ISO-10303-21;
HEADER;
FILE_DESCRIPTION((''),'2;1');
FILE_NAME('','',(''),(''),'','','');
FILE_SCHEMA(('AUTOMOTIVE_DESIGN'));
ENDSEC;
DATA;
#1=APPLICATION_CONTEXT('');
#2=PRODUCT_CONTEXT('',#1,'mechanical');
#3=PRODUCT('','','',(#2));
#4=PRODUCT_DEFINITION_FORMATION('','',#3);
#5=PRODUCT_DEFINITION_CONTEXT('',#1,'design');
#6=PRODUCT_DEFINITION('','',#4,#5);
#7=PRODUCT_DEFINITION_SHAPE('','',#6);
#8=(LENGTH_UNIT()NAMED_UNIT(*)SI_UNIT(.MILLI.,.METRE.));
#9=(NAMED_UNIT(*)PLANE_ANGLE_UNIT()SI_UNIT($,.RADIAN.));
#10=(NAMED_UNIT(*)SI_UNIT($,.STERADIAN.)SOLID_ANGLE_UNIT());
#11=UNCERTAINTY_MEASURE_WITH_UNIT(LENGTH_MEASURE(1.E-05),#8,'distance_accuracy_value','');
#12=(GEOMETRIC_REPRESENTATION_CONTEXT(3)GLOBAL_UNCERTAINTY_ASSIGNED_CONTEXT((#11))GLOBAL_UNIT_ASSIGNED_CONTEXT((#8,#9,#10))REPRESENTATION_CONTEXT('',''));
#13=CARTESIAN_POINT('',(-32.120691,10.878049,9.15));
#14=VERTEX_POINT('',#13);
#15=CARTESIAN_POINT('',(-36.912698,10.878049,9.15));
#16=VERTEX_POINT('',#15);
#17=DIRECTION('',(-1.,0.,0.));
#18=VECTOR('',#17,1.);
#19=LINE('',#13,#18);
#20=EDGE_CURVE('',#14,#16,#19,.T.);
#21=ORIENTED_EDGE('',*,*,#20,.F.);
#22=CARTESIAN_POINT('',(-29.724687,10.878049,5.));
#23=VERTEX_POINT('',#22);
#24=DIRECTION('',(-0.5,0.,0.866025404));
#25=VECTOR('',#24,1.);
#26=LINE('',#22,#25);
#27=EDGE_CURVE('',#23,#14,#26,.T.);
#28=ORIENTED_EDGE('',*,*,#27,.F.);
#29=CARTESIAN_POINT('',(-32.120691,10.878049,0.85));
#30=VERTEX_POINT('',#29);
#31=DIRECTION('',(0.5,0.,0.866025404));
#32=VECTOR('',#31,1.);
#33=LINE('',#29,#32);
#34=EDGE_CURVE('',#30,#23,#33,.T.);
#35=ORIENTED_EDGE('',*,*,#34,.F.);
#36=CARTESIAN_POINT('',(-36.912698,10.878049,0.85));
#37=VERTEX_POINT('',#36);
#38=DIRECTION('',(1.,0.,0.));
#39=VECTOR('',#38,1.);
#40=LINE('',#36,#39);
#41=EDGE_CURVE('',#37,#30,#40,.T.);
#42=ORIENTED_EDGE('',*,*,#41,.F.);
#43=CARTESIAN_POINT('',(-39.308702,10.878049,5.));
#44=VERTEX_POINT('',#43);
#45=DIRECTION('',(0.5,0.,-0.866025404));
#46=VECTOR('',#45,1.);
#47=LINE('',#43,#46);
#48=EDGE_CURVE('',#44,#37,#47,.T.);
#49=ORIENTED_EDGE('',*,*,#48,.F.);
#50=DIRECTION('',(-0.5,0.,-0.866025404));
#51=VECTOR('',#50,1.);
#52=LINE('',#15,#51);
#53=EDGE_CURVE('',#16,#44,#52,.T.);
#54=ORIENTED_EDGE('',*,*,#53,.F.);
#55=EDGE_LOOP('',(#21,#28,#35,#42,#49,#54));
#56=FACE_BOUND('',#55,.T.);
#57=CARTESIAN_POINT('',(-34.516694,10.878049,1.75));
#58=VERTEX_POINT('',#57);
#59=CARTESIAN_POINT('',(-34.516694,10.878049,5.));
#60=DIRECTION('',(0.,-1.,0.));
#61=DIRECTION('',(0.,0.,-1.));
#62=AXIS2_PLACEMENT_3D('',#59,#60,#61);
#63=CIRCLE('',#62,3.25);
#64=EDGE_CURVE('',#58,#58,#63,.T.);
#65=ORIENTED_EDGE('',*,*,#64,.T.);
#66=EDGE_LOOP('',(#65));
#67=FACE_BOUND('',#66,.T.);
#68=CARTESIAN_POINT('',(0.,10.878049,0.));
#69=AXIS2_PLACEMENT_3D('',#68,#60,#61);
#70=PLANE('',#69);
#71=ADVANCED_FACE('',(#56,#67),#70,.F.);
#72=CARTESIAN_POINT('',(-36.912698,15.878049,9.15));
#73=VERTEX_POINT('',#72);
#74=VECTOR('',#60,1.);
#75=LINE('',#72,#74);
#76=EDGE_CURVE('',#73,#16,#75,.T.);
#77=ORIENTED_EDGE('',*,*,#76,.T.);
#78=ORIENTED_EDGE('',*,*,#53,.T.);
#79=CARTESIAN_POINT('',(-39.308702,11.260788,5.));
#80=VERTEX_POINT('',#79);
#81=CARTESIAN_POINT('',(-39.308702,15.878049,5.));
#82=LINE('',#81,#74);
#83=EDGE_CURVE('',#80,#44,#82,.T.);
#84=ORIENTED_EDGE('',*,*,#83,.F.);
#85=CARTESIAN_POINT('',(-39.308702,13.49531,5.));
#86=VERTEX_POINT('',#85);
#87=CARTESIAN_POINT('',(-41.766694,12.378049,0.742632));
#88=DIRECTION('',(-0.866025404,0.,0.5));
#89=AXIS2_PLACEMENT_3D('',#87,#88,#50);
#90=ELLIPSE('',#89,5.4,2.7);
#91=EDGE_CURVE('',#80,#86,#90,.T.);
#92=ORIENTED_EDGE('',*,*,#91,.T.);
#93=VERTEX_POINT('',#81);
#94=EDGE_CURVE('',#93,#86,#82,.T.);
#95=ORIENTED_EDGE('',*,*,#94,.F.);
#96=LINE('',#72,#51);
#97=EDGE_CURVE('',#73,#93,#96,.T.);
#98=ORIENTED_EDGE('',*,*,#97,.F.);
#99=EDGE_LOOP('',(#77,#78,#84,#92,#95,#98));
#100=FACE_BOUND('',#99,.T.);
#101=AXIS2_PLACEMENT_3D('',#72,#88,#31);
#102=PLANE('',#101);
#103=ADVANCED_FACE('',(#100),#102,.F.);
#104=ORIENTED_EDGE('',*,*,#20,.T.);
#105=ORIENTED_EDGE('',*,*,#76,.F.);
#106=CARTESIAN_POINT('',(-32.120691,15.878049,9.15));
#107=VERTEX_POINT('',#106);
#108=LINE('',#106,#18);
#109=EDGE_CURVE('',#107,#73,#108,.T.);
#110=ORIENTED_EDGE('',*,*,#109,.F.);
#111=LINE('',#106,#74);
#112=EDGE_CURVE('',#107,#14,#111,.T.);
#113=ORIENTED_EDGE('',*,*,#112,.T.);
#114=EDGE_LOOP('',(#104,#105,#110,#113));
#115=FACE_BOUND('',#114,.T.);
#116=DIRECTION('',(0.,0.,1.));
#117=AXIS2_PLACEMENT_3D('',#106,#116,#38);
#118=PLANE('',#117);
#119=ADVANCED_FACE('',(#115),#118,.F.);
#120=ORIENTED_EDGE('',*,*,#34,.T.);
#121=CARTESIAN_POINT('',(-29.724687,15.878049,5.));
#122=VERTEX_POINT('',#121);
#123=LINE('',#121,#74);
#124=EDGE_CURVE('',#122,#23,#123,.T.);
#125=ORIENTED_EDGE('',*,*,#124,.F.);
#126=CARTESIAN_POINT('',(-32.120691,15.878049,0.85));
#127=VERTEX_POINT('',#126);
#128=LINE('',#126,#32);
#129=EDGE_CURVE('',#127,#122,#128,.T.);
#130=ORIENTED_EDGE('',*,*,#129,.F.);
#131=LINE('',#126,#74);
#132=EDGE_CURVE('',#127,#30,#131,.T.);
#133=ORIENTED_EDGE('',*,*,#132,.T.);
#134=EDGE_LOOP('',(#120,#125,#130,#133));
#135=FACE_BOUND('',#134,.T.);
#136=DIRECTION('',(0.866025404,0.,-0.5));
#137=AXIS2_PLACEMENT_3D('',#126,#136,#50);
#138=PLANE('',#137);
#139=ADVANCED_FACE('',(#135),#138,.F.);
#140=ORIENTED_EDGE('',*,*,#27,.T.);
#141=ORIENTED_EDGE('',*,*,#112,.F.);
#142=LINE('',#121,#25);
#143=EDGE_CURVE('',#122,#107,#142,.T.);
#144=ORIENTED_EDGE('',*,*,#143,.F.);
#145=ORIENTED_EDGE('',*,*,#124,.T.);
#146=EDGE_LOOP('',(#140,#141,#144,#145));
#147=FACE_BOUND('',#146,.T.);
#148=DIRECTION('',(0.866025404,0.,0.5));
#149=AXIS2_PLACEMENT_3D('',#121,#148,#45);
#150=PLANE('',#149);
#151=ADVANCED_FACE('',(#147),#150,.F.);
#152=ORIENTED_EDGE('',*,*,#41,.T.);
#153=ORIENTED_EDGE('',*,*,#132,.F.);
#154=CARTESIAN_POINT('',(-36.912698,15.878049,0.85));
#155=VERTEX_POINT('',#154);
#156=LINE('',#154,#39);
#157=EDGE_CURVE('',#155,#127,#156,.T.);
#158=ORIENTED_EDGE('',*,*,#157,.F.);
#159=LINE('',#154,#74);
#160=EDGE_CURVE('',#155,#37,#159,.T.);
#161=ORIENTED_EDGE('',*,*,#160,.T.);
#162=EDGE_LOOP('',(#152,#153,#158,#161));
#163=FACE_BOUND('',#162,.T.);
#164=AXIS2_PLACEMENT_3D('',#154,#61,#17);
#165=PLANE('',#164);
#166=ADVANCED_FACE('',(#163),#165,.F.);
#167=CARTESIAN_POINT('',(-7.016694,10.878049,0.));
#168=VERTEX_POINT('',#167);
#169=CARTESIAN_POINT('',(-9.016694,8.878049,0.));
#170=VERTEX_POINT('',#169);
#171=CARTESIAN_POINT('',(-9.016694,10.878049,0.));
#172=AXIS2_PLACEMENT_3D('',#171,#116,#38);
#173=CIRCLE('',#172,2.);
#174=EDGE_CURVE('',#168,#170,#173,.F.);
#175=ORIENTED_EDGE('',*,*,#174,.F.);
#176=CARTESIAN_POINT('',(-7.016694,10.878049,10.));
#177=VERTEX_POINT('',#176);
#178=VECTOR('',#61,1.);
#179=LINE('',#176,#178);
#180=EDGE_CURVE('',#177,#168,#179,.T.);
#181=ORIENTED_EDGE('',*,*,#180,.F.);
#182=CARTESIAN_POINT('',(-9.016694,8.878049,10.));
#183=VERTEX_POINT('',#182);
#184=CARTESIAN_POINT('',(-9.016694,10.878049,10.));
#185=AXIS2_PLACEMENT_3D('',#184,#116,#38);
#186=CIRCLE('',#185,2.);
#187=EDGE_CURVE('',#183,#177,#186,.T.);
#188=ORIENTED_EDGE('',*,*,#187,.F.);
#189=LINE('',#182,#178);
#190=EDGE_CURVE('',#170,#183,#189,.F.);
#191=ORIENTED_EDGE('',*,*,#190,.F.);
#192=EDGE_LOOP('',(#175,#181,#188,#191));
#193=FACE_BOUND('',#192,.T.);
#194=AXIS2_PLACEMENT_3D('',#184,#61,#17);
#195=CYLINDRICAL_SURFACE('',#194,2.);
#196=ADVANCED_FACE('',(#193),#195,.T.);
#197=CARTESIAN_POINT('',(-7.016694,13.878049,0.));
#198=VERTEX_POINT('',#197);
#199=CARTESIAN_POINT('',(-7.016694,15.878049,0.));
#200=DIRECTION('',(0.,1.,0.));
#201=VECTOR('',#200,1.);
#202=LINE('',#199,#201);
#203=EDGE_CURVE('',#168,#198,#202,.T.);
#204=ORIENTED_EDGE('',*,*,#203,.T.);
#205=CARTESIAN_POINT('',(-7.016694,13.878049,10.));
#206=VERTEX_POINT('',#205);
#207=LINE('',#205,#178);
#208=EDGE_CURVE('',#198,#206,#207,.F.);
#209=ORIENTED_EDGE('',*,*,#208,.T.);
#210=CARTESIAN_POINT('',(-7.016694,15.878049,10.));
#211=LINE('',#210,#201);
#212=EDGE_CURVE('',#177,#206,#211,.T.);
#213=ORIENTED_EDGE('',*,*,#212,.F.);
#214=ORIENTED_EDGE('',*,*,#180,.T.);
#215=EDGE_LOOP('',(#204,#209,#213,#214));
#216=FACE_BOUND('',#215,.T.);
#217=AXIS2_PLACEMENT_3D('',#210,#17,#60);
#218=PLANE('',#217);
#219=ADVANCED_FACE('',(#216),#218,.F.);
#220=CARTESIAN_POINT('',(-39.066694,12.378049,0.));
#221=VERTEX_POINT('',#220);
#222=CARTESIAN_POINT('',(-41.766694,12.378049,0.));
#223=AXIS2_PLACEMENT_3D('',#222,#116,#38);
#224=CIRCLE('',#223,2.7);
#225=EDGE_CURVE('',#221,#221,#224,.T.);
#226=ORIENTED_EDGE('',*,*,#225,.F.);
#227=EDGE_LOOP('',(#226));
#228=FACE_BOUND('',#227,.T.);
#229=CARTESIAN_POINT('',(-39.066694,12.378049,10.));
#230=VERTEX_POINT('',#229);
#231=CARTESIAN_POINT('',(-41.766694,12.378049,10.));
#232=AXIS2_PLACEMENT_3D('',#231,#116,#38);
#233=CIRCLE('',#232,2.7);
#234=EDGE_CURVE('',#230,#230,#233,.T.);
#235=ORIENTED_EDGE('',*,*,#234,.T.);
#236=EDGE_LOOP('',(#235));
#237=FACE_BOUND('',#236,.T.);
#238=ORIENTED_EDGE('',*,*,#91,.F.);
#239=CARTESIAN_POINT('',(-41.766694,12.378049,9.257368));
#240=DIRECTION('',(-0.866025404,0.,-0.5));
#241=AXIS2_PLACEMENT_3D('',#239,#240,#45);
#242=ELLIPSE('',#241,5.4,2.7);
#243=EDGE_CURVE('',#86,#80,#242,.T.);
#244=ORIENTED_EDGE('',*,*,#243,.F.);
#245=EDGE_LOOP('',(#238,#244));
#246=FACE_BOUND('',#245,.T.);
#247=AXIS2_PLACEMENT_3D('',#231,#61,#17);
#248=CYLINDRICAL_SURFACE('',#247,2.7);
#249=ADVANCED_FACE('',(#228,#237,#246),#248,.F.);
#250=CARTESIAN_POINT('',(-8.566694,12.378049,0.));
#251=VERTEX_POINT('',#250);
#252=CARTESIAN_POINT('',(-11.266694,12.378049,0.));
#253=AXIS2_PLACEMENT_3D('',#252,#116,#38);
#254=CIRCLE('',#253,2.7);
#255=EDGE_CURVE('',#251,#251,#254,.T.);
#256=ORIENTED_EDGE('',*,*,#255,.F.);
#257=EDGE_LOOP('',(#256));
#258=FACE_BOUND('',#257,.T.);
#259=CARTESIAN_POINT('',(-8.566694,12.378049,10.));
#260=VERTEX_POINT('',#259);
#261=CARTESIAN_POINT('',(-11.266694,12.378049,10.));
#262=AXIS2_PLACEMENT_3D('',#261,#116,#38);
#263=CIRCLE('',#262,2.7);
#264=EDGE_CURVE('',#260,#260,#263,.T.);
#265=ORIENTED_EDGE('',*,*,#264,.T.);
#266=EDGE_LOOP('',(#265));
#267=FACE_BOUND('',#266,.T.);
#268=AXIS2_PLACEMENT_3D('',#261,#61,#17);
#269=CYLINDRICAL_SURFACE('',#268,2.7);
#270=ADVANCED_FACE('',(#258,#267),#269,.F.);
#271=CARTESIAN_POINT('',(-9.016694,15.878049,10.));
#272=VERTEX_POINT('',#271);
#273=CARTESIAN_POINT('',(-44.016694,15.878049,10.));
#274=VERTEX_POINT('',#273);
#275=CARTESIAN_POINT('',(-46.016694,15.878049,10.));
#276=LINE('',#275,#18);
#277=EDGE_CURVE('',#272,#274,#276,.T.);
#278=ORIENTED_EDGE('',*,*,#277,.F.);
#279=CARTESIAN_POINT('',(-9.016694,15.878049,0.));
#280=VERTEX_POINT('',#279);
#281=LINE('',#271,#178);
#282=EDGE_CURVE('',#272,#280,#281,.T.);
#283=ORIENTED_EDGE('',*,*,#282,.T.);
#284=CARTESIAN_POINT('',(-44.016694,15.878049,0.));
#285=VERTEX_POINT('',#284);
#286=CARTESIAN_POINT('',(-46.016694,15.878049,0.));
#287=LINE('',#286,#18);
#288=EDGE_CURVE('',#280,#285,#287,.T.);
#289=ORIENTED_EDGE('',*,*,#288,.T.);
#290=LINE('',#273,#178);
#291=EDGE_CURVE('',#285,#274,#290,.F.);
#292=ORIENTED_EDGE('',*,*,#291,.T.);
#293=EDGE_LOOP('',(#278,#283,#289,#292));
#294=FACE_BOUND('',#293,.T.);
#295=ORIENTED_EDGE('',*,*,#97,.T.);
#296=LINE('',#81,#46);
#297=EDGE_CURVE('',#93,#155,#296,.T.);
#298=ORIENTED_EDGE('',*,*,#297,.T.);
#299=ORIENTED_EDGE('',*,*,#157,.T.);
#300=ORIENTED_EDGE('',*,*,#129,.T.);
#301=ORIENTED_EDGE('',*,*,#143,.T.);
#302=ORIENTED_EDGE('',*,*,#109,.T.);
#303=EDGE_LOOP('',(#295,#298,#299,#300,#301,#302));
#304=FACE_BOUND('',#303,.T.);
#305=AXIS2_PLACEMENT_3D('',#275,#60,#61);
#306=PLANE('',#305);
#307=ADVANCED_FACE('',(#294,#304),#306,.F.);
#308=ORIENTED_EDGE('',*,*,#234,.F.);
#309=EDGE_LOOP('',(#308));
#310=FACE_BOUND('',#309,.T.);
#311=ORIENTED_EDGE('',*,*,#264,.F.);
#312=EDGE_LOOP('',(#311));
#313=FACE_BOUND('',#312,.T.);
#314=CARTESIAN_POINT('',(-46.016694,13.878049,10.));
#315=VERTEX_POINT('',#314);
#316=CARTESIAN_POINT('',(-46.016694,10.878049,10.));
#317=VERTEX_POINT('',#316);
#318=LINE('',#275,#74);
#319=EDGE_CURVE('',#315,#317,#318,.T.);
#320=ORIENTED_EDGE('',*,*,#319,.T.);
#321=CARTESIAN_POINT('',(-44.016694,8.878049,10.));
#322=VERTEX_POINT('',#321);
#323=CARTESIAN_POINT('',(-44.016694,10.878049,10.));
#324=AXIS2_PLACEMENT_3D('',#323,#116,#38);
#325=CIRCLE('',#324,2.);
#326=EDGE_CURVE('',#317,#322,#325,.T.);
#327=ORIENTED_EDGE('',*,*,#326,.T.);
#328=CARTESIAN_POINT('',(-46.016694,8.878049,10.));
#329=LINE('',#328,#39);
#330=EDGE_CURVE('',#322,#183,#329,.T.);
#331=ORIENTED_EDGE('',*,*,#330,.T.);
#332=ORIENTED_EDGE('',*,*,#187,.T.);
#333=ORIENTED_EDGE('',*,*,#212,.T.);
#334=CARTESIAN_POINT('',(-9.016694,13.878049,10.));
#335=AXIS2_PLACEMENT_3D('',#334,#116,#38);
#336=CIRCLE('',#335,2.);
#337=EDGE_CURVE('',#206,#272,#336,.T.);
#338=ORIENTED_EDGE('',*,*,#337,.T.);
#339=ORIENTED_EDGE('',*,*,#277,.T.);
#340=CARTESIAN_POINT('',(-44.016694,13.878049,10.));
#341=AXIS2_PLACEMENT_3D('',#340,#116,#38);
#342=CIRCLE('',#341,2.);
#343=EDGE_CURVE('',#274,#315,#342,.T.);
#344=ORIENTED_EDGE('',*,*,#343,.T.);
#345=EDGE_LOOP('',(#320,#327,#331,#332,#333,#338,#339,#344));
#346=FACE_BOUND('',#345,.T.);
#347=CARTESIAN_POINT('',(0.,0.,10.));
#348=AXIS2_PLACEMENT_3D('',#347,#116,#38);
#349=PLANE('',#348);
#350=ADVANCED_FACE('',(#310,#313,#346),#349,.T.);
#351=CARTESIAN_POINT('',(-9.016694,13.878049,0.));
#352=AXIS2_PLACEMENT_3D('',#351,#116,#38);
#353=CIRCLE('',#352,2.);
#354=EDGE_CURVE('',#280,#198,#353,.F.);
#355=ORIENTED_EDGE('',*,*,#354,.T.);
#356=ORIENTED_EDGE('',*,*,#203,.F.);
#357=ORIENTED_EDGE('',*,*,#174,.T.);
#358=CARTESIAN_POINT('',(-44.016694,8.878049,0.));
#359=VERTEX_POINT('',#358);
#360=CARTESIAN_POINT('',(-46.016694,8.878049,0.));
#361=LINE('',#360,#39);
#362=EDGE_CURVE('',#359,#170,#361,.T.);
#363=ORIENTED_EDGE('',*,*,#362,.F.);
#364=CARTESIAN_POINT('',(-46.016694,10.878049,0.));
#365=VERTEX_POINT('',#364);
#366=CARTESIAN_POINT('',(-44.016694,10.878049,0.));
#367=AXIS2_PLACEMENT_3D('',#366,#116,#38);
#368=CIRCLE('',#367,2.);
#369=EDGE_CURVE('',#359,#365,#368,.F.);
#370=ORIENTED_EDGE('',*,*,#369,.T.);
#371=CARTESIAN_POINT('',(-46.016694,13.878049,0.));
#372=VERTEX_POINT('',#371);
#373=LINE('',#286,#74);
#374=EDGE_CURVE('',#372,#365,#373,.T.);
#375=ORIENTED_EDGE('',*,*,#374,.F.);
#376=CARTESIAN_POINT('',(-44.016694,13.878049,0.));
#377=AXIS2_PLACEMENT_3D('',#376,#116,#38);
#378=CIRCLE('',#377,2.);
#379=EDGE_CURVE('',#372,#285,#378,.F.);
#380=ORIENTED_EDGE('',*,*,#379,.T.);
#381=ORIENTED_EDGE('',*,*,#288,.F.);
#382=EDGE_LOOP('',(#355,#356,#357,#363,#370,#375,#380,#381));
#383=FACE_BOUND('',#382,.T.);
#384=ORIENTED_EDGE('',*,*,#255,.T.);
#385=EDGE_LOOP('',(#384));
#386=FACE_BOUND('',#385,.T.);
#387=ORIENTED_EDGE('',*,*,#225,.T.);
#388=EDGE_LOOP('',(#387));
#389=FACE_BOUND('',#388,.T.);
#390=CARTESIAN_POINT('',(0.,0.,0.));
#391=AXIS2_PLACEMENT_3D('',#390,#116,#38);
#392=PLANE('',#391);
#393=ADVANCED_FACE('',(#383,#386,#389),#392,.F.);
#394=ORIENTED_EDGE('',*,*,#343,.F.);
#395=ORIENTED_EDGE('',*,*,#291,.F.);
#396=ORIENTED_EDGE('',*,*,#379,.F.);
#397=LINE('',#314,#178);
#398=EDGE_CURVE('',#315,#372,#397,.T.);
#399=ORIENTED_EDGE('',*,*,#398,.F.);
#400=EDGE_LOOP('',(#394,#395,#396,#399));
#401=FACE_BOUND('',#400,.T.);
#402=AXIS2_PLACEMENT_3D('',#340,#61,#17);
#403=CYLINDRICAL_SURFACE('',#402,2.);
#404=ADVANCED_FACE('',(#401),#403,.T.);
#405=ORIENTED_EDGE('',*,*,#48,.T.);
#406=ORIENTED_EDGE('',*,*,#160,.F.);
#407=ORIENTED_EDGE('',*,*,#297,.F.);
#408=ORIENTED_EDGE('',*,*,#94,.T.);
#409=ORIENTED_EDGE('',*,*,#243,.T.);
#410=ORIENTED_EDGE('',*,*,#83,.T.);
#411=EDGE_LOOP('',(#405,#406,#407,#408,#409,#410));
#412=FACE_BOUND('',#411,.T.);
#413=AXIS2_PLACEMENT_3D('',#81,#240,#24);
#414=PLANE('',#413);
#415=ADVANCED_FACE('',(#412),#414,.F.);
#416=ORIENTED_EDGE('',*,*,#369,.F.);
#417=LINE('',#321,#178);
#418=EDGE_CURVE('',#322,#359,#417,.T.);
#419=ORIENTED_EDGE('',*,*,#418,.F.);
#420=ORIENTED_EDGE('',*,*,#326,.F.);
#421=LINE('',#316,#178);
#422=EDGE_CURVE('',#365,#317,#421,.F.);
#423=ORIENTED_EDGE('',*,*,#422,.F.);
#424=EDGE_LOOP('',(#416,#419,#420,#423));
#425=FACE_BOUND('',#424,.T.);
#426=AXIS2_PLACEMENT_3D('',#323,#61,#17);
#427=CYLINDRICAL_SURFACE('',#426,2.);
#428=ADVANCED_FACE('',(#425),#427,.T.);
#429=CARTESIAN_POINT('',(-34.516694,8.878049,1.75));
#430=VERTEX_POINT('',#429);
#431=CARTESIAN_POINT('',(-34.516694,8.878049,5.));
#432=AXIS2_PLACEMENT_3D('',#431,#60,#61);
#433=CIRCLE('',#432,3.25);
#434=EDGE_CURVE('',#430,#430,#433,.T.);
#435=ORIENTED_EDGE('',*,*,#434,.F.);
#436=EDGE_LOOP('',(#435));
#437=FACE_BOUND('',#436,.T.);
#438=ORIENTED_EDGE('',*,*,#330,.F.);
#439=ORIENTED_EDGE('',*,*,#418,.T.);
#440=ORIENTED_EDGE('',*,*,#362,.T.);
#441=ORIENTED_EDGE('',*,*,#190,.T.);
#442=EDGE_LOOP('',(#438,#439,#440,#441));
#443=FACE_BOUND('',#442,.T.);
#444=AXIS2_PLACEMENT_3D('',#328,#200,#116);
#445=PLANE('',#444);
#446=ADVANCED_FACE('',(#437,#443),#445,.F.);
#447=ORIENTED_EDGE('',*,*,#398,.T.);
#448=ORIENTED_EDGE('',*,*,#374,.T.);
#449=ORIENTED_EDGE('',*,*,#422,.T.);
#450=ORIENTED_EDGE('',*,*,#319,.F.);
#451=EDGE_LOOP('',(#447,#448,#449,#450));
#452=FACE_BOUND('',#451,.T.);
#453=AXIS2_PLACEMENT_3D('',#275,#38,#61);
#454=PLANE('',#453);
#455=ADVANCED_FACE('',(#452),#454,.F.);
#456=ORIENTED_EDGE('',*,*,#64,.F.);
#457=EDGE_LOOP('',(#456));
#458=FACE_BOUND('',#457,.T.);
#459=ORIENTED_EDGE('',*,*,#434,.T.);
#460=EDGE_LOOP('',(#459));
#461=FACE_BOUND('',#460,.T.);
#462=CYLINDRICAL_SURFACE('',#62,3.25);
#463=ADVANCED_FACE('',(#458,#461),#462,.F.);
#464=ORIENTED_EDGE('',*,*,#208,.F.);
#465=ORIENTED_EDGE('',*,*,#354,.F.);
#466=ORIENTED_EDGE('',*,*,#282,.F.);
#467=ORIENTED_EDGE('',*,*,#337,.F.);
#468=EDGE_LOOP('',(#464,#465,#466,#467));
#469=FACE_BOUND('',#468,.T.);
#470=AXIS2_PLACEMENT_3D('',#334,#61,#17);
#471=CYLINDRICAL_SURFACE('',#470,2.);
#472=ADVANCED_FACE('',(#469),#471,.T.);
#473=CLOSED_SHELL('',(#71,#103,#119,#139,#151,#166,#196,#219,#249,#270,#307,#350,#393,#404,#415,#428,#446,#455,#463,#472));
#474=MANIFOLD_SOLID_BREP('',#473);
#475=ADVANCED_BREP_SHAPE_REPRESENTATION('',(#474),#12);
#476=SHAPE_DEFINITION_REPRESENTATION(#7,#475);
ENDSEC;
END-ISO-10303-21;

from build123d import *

# Parameters (mm, degrees)
CROQUIS1_W              = 39
CROQUIS1_H              = 7
CROQUIS1_R              = 2.7
SALIENTE_EXTRUIR1_DEPTH = 10
CORTAR_EXTRUIR1_DEPTH   = 7
REDONDEO1_R             = 2
CROQUIS4_R              = 3.25
SALIENTE_EXTRUIR2_DEPTH = 2


with BuildPart() as part:
    # Croquis1 → Saliente-Extruir1 (new body)
    with BuildSketch(Plane.XY):
        with Locations((-26.516694491, 12.37804878)):
            Rectangle(CROQUIS1_W, CROQUIS1_H)
        with Locations((-41.766694491, 12.37804878)):
            Circle(CROQUIS1_R, mode=Mode.SUBTRACT)
        with Locations((-11.266694491, 12.37804878)):
            Circle(CROQUIS1_R, mode=Mode.SUBTRACT)
    extrude(amount=SALIENTE_EXTRUIR1_DEPTH)

    # Croquis2 → Cortar-Extruir1 (cut)
    with BuildSketch(Plane.XZ.offset(-8.87804878)):
        Polygon((-29.724687257, 5), (-32.120690874, 9.15), (-36.912698108, 9.15), (-39.308701725, 5), (-36.912698108, 0.85), (-32.120690874, 0.85), align=None)
    extrude(amount=-CORTAR_EXTRUIR1_DEPTH, mode=Mode.SUBTRACT)

    # Redondeo1
    redondeo1_edges = [part.edges().sort_by_distance(p)[0] for p in [
        (-46.016694491, 15.87804878, 5),
        (-7.016694491, 15.87804878, 5),
        (-7.016694491, 8.87804878, 5),
        (-46.016694491, 8.87804878, 5),
    ]]
    fillet(redondeo1_edges, radius=REDONDEO1_R)

    # Croquis4 → Saliente-Extruir2 (add)
    with BuildSketch(Plane.XZ.offset(-8.87804878)):
        Polygon((-29.724687257, 5), (-32.120690874, 9.15), (-36.912698108, 9.15), (-39.308701725, 5), (-36.912698108, 0.85), (-32.120690874, 0.85), align=None)
        with Locations(Location((-34.516694491, 5, 0), (0, 0, 270))):
            Circle(CROQUIS4_R, mode=Mode.SUBTRACT)
    extrude(amount=-SALIENTE_EXTRUIR2_DEPTH)


solid = part.part
